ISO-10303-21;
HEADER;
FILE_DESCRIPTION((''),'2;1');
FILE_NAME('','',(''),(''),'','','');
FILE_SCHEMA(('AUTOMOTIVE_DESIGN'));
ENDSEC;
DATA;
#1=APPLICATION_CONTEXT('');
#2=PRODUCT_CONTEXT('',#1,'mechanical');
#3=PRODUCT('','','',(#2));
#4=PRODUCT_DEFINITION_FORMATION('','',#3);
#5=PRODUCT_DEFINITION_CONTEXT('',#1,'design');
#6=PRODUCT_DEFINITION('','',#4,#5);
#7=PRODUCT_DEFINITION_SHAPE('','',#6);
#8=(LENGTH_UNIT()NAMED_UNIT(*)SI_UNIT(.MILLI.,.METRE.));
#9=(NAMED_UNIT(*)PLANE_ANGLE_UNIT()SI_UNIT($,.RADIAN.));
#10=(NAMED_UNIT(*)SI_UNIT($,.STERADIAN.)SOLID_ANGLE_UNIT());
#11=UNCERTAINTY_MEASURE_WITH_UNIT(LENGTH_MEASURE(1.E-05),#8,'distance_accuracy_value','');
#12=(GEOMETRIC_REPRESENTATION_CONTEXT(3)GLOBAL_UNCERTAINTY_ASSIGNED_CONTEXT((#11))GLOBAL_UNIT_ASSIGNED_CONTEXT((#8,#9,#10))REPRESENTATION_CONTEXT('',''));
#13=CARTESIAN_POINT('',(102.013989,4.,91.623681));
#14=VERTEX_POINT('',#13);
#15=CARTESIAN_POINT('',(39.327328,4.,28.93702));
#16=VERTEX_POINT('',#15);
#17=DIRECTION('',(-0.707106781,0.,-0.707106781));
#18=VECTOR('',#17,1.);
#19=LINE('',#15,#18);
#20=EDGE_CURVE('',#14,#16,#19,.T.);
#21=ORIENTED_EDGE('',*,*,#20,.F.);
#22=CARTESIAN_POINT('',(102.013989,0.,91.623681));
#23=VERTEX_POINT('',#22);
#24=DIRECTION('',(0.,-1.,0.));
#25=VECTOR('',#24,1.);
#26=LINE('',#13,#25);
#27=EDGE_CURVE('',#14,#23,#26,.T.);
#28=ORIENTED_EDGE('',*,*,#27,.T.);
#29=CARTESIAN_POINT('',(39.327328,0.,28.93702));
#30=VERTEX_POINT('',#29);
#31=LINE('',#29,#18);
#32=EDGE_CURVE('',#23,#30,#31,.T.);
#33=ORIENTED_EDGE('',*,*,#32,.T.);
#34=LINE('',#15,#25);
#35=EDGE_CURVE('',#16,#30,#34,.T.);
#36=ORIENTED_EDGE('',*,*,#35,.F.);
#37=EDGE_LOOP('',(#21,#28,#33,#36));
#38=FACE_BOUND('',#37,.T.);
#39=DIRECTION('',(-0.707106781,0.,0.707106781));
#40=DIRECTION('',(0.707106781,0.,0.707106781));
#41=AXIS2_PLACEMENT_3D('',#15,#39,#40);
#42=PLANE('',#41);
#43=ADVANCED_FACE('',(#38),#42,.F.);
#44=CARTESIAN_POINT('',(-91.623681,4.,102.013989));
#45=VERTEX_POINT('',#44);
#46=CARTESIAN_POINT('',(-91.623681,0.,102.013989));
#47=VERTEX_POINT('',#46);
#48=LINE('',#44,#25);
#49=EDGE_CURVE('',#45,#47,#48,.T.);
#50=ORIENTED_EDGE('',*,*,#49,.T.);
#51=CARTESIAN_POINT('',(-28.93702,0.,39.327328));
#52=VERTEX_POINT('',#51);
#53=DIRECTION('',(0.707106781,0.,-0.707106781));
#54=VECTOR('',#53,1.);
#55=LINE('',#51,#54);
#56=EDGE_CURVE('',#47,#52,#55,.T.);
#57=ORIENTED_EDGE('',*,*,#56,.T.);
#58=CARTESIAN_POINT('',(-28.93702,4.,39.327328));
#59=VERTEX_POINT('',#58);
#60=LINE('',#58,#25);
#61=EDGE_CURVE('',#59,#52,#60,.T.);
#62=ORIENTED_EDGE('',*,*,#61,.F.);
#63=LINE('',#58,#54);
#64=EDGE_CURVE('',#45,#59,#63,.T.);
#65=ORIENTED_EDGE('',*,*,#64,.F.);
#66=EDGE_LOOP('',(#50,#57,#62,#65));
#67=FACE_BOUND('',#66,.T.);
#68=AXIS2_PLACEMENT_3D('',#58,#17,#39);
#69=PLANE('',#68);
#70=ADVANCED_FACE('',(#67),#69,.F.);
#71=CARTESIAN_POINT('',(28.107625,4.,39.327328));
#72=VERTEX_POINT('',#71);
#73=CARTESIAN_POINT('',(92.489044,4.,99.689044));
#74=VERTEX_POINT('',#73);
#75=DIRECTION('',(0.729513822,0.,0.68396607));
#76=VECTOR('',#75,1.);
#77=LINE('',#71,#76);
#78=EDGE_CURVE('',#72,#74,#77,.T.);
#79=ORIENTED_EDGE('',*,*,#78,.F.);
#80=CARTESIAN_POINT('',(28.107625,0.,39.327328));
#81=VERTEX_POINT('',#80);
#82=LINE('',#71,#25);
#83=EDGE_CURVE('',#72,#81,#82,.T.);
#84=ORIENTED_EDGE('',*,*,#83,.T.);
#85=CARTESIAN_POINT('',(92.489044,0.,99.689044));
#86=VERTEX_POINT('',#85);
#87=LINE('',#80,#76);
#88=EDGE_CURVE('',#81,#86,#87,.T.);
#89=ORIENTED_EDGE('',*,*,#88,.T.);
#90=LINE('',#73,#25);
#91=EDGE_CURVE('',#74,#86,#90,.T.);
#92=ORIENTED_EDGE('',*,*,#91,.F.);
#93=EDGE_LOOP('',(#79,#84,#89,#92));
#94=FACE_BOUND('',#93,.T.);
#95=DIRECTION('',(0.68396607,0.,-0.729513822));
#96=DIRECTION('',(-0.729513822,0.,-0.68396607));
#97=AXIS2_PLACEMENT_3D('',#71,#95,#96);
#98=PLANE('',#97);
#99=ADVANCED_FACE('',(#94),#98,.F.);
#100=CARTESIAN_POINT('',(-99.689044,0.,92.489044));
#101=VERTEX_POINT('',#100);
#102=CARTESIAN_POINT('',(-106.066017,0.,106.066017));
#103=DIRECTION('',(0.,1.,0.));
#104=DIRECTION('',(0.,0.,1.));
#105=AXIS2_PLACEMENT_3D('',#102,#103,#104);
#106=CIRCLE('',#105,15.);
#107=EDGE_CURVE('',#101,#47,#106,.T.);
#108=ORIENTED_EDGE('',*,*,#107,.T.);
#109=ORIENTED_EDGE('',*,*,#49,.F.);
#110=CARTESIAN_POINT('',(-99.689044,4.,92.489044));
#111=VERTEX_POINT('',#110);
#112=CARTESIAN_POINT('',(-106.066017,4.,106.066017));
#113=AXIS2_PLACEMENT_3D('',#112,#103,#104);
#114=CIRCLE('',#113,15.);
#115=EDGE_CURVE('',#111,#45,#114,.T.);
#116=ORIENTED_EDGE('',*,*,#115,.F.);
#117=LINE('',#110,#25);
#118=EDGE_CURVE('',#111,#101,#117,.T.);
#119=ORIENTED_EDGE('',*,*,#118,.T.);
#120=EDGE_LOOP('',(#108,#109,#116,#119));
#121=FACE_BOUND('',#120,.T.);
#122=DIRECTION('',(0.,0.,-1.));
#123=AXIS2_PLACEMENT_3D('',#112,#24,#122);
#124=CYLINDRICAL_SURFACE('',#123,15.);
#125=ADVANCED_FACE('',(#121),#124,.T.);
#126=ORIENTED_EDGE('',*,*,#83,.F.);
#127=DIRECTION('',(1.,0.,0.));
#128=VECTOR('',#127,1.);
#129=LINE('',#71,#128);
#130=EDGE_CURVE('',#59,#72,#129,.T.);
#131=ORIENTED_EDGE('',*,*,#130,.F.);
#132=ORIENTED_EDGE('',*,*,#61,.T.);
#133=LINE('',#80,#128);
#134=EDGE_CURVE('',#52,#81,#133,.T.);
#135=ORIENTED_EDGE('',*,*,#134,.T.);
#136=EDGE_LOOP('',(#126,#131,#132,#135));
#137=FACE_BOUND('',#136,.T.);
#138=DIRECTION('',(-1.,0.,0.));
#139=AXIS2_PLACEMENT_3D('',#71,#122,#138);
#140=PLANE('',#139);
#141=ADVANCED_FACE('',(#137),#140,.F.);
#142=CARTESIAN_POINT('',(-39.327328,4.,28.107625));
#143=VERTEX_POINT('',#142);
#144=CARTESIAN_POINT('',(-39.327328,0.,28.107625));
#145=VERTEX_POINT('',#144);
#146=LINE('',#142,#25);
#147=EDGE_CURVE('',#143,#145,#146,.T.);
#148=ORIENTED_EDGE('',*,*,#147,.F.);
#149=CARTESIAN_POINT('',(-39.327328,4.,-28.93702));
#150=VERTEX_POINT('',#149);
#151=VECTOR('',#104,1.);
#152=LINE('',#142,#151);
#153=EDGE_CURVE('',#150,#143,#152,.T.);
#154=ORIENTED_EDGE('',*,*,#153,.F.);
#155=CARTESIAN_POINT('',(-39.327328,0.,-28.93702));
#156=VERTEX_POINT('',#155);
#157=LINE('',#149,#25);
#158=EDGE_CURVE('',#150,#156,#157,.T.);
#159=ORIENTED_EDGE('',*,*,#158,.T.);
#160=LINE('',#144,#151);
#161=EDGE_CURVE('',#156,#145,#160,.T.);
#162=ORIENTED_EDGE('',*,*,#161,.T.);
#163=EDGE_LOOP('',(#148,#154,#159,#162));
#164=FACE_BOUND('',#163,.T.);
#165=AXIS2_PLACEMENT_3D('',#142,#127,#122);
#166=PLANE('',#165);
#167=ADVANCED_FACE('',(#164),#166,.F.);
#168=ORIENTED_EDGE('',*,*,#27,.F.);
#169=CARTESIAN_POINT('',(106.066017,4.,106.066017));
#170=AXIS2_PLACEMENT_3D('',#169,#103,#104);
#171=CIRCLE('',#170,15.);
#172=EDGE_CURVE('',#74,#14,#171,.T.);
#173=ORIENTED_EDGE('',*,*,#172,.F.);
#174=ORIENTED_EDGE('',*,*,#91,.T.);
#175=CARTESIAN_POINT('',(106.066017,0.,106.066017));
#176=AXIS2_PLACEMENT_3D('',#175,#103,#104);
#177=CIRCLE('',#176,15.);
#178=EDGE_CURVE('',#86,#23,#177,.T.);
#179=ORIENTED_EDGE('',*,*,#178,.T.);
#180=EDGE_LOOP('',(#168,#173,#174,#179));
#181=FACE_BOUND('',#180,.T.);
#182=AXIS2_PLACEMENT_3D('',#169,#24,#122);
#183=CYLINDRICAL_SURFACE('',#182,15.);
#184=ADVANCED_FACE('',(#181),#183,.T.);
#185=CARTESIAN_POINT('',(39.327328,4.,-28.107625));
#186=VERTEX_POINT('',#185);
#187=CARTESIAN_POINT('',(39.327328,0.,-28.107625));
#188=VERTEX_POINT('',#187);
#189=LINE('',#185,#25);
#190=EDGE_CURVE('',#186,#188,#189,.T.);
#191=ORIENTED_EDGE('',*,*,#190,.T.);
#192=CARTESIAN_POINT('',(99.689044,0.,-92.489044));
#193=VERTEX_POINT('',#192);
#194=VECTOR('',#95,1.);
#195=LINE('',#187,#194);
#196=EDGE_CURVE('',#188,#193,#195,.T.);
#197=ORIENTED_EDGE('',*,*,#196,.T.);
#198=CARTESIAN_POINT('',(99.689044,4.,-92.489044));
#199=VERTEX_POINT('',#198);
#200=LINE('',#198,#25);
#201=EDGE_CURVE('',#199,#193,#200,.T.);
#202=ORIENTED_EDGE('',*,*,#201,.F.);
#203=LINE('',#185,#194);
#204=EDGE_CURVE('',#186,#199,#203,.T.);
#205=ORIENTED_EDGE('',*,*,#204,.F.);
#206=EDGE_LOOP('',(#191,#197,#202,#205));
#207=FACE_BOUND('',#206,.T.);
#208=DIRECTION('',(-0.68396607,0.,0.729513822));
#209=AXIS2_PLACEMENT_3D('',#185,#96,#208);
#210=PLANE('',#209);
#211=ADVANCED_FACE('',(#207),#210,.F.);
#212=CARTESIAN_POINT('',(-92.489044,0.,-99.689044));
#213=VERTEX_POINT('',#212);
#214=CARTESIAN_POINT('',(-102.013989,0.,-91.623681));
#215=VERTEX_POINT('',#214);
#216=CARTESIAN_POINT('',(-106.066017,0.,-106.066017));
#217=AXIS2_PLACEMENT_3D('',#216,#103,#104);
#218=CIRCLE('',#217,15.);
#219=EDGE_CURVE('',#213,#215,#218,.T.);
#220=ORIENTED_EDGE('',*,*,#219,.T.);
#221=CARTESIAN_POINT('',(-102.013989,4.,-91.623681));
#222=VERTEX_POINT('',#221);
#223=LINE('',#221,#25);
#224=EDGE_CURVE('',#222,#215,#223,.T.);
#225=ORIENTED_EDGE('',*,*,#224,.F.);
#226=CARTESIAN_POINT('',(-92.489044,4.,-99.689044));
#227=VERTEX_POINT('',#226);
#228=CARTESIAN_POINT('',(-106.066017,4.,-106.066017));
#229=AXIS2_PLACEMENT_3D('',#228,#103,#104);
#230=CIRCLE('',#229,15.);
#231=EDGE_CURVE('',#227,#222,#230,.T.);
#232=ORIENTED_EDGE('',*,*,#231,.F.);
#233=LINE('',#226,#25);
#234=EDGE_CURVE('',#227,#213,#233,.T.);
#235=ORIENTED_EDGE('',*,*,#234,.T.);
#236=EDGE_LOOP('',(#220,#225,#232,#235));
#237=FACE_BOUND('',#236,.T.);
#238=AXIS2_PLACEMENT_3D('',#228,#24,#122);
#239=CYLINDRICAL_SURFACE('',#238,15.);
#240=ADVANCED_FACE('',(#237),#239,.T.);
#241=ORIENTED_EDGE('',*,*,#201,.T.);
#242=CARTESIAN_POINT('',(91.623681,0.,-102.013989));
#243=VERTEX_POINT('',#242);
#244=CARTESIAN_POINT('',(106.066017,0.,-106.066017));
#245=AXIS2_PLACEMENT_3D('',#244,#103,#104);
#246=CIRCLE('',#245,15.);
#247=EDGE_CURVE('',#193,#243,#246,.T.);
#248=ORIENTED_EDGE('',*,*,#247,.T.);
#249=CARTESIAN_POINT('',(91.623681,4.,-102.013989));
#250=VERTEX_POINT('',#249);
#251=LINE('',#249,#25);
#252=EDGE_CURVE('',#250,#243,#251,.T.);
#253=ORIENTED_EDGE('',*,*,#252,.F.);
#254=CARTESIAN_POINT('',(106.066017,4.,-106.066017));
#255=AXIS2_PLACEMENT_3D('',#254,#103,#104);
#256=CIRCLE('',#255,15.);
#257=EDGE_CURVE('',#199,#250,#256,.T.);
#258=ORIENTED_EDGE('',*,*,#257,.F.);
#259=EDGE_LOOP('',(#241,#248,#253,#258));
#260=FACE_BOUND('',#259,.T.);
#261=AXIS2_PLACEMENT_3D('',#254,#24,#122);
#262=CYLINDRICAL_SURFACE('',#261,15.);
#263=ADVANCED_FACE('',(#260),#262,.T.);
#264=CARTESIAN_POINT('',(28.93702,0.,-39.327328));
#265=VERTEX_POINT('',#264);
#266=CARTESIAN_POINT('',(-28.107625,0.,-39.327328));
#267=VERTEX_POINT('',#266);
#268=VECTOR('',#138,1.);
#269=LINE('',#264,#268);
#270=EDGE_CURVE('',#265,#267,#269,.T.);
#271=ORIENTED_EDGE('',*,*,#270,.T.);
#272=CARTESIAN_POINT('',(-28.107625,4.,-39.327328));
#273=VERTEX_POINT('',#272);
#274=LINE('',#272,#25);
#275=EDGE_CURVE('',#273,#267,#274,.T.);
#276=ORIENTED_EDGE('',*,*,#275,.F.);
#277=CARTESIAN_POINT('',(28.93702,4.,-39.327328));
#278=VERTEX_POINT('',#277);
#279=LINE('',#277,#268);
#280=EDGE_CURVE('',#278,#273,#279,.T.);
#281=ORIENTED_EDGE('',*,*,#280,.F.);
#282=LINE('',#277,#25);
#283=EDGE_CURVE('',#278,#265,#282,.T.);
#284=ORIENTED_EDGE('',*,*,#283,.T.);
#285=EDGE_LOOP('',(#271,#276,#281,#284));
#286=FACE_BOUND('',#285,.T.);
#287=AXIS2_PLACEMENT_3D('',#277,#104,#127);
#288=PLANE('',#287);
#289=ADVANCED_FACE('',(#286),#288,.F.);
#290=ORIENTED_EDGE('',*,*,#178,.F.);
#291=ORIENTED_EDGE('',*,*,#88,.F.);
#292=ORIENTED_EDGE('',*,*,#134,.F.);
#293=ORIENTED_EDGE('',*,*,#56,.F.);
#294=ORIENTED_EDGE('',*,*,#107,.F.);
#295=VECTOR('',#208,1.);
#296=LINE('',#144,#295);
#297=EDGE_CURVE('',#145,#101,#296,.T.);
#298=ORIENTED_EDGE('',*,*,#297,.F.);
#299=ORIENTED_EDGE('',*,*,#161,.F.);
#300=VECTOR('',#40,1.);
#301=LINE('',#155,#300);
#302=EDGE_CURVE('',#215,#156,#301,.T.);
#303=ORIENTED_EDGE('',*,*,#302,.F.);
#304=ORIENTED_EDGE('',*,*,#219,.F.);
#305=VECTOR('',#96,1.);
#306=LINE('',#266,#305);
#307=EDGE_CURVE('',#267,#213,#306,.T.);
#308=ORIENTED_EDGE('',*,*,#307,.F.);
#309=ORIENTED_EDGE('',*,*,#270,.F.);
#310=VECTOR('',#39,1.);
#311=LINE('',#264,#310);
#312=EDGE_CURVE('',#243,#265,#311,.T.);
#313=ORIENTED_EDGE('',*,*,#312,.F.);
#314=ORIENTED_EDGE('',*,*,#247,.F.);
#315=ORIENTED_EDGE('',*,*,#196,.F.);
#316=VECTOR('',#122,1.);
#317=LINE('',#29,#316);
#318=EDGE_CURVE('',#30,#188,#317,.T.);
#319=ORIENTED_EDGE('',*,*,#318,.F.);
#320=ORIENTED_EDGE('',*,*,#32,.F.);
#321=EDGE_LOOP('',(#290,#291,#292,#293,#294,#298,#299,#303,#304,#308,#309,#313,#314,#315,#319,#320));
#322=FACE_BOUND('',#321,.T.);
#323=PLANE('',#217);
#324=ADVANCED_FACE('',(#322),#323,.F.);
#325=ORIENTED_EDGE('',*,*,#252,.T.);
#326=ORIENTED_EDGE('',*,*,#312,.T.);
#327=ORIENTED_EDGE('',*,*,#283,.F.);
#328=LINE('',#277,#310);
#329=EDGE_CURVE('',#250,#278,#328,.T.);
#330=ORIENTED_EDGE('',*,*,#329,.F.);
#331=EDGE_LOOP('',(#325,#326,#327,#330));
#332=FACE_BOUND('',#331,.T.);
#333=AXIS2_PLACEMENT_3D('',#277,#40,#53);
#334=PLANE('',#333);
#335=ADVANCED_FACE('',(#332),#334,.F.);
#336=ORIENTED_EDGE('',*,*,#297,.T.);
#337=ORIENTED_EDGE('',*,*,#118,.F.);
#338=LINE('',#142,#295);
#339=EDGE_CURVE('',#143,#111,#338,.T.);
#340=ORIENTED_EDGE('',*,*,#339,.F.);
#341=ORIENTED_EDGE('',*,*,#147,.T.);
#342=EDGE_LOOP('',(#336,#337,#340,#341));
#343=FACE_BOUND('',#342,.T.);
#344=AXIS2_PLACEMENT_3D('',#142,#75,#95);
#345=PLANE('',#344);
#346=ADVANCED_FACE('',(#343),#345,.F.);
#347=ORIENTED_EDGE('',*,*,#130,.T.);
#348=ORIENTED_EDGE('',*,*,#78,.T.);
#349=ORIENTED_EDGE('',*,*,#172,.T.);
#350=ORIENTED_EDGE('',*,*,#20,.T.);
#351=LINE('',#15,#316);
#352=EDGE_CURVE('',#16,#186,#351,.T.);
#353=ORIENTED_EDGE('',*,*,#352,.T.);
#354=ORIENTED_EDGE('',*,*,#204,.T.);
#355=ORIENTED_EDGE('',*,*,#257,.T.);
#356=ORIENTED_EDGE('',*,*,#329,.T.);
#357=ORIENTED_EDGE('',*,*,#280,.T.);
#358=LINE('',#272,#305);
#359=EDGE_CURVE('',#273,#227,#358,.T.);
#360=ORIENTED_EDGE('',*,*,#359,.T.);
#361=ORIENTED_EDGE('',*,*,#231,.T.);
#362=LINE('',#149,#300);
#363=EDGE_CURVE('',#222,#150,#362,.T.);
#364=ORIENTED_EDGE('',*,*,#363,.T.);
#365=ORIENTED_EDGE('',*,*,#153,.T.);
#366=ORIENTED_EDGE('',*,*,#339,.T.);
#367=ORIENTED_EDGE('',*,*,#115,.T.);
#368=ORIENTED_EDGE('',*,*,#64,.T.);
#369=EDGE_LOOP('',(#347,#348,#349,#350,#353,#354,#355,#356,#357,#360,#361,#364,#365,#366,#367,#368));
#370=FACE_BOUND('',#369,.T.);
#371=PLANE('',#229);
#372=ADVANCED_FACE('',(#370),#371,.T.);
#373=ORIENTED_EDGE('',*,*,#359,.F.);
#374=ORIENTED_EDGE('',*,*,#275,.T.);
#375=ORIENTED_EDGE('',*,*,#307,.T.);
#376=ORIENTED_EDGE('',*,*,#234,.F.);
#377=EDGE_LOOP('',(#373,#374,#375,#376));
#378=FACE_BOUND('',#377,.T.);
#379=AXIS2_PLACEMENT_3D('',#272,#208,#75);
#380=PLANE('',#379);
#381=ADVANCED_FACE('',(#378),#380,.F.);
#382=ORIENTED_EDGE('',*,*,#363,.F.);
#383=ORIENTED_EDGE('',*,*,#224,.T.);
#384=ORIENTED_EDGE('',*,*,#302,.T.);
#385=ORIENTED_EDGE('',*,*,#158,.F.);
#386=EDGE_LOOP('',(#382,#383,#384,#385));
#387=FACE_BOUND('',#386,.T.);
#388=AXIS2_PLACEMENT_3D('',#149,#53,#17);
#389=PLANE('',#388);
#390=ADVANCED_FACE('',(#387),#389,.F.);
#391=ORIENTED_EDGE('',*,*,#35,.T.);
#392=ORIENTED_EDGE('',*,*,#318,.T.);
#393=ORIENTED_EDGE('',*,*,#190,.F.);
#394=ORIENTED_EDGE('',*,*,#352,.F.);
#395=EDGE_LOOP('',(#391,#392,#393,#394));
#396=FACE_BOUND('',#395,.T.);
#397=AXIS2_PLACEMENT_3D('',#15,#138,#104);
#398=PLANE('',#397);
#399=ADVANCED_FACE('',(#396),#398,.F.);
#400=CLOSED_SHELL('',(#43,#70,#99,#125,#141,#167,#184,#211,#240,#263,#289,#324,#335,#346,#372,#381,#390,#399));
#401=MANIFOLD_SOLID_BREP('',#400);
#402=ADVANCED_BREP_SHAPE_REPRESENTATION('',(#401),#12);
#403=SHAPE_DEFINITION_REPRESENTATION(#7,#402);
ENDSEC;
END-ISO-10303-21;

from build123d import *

# Parameters (mm, degrees)
EXTRUDE_1_DEPTH = 4


with BuildPart() as part:
    # 草图1 → 凸台-拉伸1 (new body)
    with BuildSketch(Plane(origin=(0, 0, 0), x_dir=(1, 0, 0), z_dir=(0, 1, 0))):
        with BuildLine():
            Line((28.10762521, -39.327328189), (-28.937020053, -39.327328189))
            Line((-28.937020053, -39.327328189), (-91.623681149, -102.013989286))
            ThreePointArc((-91.623681149, -102.013989286), (-117.513377544, -115.759207605), (-99.689043689, -92.489043689))
            Line((-99.689043689, -92.489043689), (-39.327328189, -28.10762521))
            Line((-39.327328189, -28.10762521), (-39.327328189, 28.937020053))
            Line((-39.327328189, 28.937020053), (-102.013989286, 91.623681149))
            ThreePointArc((-102.013989286, 91.623681149), (-115.759207605, 117.513377544), (-92.489043689, 99.689043689))
            Line((-92.489043689, 99.689043689), (-28.10762521, 39.327328189))
            Line((-28.10762521, 39.327328189), (28.937020053, 39.327328189))
            Line((28.937020053, 39.327328189), (91.623681149, 102.013989286))
            ThreePointArc((91.623681149, 102.013989286), (117.513377544, 115.759207605), (99.689043689, 92.489043689))
            Line((99.689043689, 92.489043689), (39.327328189, 28.10762521))
            Line((39.327328189, 28.10762521), (39.327328189, -28.937020053))
            Line((39.327328189, -28.937020053), (102.013989286, -91.623681149))
            ThreePointArc((102.013989286, -91.623681149), (115.759207605, -117.513377544), (92.489043689, -99.689043689))
            Line((92.489043689, -99.689043689), (28.10762521, -39.327328189))
        make_face()
    extrude(amount=EXTRUDE_1_DEPTH)


solid = part.part
